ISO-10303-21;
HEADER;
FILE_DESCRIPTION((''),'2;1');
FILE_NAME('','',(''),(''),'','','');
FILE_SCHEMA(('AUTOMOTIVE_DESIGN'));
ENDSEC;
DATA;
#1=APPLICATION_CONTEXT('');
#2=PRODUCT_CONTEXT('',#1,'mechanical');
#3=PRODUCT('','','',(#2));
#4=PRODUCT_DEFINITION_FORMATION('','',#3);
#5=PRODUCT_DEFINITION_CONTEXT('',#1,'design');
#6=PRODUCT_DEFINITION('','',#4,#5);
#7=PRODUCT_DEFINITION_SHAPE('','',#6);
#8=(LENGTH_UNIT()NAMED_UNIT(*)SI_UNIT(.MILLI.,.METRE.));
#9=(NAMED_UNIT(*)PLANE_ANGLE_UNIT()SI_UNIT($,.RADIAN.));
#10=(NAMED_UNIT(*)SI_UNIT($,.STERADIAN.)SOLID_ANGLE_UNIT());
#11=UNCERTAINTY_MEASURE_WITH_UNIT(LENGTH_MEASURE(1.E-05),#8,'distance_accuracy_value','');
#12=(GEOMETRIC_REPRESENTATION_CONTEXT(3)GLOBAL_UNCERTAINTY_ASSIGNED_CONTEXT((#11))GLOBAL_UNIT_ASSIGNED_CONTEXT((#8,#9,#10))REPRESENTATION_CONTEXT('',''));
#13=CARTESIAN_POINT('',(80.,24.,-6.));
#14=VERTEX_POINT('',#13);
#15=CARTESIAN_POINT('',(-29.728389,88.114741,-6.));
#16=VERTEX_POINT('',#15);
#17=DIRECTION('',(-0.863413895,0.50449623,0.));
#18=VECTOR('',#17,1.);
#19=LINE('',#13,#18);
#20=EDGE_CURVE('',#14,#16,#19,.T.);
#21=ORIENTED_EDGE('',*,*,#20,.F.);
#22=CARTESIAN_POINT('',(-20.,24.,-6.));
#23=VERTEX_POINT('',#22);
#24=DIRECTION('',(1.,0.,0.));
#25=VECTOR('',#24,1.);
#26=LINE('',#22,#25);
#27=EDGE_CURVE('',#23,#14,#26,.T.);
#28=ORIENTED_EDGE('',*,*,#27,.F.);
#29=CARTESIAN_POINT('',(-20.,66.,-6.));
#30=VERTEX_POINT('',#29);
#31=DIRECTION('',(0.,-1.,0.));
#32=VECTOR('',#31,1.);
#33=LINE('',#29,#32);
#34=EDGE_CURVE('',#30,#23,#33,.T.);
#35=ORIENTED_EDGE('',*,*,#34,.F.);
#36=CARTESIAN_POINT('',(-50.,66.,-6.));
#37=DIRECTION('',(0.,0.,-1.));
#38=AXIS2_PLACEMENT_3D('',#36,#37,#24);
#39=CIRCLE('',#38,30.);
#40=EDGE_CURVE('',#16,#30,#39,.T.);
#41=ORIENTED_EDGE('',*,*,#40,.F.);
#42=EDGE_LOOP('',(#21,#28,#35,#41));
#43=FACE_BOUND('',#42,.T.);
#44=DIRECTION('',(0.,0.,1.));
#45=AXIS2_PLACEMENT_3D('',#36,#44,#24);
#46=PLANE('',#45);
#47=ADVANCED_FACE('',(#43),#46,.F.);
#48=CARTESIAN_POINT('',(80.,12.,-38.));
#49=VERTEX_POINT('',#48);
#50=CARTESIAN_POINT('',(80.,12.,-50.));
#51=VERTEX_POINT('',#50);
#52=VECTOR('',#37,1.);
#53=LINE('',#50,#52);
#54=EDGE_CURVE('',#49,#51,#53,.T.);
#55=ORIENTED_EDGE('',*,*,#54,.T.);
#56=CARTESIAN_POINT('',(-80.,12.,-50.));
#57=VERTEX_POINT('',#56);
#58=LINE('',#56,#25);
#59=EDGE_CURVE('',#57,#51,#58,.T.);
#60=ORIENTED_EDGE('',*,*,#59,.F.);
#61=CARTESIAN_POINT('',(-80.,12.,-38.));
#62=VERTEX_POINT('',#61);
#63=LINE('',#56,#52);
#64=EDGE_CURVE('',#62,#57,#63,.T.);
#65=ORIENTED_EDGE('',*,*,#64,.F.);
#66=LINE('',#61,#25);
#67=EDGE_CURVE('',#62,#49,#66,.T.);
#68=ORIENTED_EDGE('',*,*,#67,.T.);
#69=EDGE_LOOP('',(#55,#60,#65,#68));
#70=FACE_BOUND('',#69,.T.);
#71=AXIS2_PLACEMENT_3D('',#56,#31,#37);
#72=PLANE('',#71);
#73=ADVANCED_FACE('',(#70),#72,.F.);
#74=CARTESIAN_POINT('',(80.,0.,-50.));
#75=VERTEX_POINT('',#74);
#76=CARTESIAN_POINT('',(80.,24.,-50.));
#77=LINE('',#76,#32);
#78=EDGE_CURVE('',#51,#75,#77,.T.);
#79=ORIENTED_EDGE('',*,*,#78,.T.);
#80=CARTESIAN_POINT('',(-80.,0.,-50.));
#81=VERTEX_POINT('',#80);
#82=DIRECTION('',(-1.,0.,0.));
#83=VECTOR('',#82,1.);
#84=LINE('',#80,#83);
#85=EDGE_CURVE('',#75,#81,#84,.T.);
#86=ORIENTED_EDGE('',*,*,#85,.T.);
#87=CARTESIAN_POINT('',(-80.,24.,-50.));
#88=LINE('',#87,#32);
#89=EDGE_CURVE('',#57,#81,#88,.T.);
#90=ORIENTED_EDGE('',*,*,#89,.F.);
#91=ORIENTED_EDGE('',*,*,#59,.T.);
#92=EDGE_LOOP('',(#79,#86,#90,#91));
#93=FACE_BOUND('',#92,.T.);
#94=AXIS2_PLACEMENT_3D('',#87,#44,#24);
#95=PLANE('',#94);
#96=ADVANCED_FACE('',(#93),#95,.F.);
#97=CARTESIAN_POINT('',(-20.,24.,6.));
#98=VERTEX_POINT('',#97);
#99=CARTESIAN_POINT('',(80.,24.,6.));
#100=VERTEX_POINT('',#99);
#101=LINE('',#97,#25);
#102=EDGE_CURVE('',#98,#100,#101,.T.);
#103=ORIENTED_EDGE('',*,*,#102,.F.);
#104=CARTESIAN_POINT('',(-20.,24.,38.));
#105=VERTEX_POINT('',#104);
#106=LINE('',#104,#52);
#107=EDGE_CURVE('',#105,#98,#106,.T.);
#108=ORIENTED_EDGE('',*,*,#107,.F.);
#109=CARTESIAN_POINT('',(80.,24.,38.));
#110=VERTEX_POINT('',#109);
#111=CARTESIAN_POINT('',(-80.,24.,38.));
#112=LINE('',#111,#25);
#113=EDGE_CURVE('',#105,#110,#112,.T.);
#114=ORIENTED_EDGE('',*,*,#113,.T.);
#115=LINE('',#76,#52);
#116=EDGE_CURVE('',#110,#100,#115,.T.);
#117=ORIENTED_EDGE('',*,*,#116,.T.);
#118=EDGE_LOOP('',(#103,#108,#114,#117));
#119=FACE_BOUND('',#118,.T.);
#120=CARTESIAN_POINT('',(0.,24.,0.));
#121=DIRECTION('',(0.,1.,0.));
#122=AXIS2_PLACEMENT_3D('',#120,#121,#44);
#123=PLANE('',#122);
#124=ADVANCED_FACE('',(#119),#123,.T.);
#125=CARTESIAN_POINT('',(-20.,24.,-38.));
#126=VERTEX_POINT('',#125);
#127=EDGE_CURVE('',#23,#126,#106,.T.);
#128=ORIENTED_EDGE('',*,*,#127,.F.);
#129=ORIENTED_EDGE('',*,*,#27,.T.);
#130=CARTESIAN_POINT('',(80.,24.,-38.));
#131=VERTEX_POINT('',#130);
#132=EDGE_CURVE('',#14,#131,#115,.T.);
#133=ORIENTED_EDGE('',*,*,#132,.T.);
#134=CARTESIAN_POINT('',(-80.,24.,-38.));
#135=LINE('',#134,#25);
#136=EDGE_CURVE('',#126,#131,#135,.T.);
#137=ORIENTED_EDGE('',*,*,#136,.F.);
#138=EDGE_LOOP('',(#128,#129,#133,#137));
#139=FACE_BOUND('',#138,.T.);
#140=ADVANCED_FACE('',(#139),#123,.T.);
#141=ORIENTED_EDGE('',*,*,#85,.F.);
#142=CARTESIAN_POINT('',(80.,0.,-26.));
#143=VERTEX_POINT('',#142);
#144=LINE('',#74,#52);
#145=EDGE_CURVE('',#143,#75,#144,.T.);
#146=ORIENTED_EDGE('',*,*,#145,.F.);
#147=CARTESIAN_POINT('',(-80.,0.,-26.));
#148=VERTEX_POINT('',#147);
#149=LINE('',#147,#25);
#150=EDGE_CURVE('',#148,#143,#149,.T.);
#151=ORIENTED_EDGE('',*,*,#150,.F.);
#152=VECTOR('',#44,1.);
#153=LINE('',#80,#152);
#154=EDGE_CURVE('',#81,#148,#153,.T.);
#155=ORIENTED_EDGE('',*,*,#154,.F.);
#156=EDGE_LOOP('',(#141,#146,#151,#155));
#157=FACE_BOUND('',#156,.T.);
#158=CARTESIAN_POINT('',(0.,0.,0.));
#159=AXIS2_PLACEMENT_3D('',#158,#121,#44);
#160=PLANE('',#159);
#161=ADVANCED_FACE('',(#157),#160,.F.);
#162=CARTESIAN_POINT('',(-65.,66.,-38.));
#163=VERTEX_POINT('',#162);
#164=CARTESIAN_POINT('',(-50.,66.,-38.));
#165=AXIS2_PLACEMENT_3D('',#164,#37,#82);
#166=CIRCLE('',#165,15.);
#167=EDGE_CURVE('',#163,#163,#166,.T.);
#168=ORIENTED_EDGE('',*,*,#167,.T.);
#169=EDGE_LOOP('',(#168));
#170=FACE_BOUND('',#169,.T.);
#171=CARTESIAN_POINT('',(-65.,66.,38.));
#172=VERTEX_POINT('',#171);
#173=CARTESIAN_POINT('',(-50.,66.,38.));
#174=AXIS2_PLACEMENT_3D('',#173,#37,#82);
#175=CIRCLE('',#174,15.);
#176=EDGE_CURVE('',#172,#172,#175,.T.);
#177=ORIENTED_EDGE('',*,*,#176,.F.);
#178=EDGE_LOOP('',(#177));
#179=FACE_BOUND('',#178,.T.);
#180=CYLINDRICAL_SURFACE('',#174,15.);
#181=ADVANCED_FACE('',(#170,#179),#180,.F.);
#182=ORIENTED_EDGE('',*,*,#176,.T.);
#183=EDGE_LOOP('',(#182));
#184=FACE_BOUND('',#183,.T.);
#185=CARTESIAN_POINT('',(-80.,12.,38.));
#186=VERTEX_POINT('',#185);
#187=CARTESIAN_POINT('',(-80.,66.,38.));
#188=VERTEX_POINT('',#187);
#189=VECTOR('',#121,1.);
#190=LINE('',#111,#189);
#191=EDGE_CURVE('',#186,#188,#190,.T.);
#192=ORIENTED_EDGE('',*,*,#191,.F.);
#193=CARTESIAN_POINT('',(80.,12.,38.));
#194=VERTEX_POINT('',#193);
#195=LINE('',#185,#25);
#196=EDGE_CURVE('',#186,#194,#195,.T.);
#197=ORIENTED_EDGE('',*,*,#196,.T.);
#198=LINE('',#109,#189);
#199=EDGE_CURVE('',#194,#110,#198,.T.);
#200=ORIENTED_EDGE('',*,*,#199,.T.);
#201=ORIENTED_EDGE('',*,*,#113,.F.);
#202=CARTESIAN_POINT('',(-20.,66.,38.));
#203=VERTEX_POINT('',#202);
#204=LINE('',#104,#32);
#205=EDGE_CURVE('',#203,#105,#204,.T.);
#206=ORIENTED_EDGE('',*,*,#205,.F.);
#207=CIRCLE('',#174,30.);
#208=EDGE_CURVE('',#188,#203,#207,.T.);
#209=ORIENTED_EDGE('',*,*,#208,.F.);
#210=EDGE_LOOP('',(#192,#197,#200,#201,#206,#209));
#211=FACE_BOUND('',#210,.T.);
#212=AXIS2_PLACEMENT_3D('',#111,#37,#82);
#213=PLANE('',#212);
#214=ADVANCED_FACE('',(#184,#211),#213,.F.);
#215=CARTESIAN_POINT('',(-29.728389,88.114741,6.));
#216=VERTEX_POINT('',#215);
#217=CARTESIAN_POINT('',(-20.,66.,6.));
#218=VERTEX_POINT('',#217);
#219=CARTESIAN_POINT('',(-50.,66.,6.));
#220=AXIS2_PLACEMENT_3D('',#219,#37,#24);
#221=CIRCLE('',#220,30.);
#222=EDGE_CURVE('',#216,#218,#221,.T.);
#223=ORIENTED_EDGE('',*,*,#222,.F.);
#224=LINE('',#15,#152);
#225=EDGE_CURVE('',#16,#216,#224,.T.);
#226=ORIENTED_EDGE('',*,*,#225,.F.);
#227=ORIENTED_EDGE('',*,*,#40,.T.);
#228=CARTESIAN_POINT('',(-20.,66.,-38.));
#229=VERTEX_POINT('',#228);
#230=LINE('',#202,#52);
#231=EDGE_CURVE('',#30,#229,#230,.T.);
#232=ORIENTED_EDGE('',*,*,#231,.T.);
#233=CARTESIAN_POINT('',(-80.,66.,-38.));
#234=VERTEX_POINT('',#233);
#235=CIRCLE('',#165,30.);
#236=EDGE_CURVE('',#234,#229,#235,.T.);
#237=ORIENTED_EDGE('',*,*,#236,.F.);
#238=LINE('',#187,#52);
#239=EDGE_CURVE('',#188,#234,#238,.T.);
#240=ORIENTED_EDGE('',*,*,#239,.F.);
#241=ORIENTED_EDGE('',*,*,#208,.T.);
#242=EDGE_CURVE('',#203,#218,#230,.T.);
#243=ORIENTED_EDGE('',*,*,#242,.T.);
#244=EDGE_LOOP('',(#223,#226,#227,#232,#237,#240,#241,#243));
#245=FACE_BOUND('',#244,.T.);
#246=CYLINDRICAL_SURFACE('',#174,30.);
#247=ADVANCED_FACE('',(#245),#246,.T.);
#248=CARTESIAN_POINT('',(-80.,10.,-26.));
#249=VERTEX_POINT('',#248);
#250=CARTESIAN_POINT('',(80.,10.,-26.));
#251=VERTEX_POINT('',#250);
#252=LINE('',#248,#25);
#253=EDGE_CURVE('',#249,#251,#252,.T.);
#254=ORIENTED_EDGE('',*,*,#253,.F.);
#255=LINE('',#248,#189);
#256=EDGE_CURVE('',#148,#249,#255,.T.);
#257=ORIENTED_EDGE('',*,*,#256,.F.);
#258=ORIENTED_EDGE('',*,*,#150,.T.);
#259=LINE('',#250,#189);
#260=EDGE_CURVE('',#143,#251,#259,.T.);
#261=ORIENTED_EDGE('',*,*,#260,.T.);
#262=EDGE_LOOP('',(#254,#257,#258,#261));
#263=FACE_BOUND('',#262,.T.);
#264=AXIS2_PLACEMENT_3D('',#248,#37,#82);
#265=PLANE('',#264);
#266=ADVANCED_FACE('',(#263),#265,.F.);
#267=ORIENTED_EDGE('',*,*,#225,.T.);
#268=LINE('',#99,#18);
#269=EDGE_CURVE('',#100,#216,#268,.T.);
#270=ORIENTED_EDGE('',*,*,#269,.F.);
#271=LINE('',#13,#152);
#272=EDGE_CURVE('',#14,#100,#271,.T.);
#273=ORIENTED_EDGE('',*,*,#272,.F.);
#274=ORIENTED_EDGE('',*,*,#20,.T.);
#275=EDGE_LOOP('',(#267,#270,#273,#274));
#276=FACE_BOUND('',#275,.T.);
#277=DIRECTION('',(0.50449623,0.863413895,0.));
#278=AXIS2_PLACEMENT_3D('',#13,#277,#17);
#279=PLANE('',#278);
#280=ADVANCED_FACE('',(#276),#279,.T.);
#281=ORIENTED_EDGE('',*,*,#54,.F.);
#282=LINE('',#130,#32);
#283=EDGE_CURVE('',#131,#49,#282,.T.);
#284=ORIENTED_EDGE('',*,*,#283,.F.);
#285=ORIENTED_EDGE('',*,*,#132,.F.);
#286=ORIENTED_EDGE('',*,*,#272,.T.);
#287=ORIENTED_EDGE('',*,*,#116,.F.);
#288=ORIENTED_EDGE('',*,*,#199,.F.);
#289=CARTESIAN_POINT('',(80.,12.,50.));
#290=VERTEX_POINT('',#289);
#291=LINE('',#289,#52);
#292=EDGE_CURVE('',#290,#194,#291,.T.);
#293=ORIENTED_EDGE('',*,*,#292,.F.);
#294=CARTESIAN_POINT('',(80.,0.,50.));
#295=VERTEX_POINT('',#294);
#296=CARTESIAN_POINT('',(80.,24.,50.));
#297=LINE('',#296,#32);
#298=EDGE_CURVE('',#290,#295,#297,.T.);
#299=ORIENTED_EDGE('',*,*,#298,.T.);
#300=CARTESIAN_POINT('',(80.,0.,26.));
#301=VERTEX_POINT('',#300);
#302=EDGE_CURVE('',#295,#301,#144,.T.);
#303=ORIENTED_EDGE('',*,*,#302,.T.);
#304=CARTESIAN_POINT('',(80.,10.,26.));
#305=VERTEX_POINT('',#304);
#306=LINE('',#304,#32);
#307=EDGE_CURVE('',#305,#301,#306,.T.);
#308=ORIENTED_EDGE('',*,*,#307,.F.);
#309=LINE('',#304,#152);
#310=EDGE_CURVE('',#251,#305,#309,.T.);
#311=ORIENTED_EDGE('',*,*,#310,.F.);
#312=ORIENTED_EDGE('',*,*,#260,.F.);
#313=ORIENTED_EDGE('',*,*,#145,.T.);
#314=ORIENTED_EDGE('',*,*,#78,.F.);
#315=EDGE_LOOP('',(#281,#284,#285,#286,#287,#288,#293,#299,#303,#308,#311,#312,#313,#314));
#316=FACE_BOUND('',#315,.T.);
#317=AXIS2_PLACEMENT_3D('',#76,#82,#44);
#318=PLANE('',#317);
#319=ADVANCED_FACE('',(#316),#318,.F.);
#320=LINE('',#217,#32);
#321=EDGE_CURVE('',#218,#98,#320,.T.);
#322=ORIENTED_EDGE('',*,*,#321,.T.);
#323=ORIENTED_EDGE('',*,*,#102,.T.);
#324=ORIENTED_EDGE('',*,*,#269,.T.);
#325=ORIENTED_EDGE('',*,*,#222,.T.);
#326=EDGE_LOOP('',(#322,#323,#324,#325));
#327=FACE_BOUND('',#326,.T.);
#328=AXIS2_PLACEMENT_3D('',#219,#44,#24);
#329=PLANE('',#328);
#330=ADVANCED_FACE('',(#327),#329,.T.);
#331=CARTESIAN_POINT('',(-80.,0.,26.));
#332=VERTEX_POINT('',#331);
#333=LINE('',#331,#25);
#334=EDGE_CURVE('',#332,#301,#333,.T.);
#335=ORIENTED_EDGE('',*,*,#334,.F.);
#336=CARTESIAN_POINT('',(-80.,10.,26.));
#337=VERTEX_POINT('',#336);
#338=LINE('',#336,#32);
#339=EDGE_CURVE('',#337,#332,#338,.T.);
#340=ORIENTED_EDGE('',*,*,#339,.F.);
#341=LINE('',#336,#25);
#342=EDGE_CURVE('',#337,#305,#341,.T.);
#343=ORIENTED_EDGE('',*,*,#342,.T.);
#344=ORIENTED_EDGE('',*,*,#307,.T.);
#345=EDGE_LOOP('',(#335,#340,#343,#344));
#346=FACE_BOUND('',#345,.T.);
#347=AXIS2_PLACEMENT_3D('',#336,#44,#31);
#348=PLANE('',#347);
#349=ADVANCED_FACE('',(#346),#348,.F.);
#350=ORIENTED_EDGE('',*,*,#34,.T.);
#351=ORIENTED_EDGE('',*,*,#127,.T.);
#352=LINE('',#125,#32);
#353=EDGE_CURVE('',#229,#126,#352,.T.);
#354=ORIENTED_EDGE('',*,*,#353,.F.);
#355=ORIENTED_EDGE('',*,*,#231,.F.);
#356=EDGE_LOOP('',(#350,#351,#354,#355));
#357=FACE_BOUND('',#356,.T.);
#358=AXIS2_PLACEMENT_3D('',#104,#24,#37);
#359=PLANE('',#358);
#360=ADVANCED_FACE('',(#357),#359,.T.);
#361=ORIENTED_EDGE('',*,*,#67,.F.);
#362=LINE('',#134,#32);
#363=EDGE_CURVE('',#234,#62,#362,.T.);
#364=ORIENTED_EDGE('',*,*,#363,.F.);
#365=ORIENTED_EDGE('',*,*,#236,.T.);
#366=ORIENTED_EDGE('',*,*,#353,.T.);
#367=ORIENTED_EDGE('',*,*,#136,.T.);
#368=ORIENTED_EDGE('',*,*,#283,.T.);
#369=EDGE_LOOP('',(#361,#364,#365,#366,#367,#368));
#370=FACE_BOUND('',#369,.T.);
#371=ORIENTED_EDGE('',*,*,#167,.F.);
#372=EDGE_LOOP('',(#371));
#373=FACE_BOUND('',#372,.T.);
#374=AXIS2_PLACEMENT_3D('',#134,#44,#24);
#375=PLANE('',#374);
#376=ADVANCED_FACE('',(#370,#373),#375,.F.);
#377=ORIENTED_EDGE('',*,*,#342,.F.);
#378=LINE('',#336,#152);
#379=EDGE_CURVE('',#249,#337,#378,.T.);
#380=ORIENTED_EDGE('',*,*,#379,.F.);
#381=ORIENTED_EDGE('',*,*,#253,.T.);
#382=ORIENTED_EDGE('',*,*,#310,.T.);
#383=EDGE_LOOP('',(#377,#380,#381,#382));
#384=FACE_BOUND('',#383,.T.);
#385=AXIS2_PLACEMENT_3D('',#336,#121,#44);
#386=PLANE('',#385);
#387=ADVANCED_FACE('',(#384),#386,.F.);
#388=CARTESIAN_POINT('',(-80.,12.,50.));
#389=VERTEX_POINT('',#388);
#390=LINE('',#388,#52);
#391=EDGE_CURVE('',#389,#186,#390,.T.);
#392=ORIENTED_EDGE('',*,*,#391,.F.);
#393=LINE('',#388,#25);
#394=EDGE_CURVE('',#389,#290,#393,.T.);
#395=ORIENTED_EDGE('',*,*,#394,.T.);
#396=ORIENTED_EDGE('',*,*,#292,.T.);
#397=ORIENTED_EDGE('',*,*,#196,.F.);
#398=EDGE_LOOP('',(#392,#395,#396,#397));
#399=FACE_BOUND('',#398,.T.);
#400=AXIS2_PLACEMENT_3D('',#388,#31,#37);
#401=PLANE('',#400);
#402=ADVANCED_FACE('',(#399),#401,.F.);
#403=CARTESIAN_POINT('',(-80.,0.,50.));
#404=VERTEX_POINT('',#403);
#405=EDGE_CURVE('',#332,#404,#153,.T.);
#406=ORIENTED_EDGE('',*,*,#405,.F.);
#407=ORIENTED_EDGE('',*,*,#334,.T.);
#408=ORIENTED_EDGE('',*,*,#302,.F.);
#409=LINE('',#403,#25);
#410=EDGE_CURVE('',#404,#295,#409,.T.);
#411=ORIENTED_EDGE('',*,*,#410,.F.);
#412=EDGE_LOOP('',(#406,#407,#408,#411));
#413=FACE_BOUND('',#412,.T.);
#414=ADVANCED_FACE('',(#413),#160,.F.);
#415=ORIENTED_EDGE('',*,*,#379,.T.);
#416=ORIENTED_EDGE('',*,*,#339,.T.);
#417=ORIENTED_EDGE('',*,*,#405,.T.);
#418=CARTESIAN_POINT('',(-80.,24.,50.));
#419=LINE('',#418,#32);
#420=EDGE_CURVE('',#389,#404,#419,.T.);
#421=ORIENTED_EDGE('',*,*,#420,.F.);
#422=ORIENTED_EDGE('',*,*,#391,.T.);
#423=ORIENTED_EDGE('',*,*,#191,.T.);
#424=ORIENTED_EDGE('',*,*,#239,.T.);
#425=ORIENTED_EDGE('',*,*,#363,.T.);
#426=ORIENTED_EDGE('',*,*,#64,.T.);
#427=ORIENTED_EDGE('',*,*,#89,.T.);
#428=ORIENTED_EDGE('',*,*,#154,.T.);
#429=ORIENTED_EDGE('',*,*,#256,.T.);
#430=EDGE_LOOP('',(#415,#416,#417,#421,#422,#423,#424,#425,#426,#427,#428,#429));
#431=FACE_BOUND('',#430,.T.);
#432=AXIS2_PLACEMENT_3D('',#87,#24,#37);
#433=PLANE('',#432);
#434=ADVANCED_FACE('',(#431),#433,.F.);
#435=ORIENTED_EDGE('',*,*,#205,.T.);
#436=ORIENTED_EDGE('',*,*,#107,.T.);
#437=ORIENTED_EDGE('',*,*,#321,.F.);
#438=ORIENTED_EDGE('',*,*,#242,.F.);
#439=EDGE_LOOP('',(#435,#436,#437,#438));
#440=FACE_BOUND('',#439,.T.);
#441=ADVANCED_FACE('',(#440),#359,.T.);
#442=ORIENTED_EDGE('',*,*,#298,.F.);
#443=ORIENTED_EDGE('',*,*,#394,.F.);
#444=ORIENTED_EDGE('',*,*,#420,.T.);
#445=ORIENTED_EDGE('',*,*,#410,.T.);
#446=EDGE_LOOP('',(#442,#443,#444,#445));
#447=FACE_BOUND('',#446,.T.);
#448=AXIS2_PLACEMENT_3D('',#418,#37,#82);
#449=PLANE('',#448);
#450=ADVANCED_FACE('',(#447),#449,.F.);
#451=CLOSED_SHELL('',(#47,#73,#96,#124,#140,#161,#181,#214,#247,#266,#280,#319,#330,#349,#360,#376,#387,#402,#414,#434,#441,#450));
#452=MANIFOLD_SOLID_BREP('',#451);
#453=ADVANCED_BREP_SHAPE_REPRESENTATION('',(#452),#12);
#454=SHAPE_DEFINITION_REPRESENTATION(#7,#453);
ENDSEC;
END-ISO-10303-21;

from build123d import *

# Parameters (mm, degrees)
SKETCH1_W                = 160
SKETCH1_H                = 100
BOSS_EXTRUDE2_DEPTH      = 24
SKETCH3_W                = 52
SKETCH3_H                = 10
CUT_EXTRUDE1_DEPTH       = 160
SKETCH4_W                = 12
SKETCH4_H                = 12
CUT_EXTRUDE2_DEPTH       = 160
SKETCH5_W                = 12
SKETCH5_H                = 12
CUT_EXTRUDE3_DEPTH       = 160
SKETCH6_R                = 15
BOSS_EXTRUDE3_DEPTH      = 76
BOSS_EXTRUDE4_DEPTH      = 6
BOSS_EXTRUDE4_DEPTH_BACK = 6


with BuildPart() as part:
    # Sketch1 → Boss-Extrude2 (new body)
    with BuildSketch(Plane(origin=(0, 0, 0), x_dir=(1, 0, 0), z_dir=(0, 1, 0))):
        Rectangle(SKETCH1_W, SKETCH1_H)
    extrude(amount=BOSS_EXTRUDE2_DEPTH)

    # Sketch3 → Cut-Extrude1 (cut)
    with BuildSketch(Plane(origin=(80, 0, 0), x_dir=(0, 0, -1), z_dir=(1, 0, 0))):
        with Locations((0, 5)):
            Rectangle(SKETCH3_W, SKETCH3_H)
    extrude(amount=-CUT_EXTRUDE1_DEPTH, mode=Mode.SUBTRACT)

    # Sketch4 → Cut-Extrude2 (cut)
    with BuildSketch(Plane(origin=(80, 0, 0), x_dir=(0, 0, -1), z_dir=(1, 0, 0))):
        with Locations((44, 18)):
            Rectangle(SKETCH4_W, SKETCH4_H)
    extrude(amount=-CUT_EXTRUDE2_DEPTH, mode=Mode.SUBTRACT)

    # Sketch5 → Cut-Extrude3 (cut)
    with BuildSketch(Plane(origin=(80, 0, 0), x_dir=(0, 0, -1), z_dir=(1, 0, 0))):
        with Locations((-44, 18)):
            Rectangle(SKETCH5_W, SKETCH5_H)
    extrude(amount=-CUT_EXTRUDE3_DEPTH, mode=Mode.SUBTRACT)

    # Sketch6 → Boss-Extrude3 (add)
    with BuildSketch(Plane(origin=(0, 0, -38), x_dir=(-1, 0, 0), z_dir=(0, 0, -1))):
        with BuildLine():
            Line((80, 24), (80, 66))
            ThreePointArc((80, 66), (50, 96), (20, 66))
            Line((20, 66), (20, 24))
            Line((20, 24), (80, 24))
        make_face()
        with Locations((50, 66)):
            Circle(SKETCH6_R, mode=Mode.SUBTRACT)
    extrude(amount=-BOSS_EXTRUDE3_DEPTH)

    # Sketch7 → Boss-Extrude4 (add, two sides: drawn at the far end of the back side and taken through both)
    with BuildSketch(Plane.XY.offset(-BOSS_EXTRUDE4_DEPTH_BACK)):
        with BuildLine():
            Line((-20, 24), (80, 24))
            Line((80, 24), (-29.728388886, 88.114741301))
            ThreePointArc((-29.728388886, 88.114741301), (-22.539589101, 78.079976543), (-20, 66))
            Line((-20, 66), (-20, 24))
        make_face()
    extrude(amount=BOSS_EXTRUDE4_DEPTH + BOSS_EXTRUDE4_DEPTH_BACK)


solid = part.part
